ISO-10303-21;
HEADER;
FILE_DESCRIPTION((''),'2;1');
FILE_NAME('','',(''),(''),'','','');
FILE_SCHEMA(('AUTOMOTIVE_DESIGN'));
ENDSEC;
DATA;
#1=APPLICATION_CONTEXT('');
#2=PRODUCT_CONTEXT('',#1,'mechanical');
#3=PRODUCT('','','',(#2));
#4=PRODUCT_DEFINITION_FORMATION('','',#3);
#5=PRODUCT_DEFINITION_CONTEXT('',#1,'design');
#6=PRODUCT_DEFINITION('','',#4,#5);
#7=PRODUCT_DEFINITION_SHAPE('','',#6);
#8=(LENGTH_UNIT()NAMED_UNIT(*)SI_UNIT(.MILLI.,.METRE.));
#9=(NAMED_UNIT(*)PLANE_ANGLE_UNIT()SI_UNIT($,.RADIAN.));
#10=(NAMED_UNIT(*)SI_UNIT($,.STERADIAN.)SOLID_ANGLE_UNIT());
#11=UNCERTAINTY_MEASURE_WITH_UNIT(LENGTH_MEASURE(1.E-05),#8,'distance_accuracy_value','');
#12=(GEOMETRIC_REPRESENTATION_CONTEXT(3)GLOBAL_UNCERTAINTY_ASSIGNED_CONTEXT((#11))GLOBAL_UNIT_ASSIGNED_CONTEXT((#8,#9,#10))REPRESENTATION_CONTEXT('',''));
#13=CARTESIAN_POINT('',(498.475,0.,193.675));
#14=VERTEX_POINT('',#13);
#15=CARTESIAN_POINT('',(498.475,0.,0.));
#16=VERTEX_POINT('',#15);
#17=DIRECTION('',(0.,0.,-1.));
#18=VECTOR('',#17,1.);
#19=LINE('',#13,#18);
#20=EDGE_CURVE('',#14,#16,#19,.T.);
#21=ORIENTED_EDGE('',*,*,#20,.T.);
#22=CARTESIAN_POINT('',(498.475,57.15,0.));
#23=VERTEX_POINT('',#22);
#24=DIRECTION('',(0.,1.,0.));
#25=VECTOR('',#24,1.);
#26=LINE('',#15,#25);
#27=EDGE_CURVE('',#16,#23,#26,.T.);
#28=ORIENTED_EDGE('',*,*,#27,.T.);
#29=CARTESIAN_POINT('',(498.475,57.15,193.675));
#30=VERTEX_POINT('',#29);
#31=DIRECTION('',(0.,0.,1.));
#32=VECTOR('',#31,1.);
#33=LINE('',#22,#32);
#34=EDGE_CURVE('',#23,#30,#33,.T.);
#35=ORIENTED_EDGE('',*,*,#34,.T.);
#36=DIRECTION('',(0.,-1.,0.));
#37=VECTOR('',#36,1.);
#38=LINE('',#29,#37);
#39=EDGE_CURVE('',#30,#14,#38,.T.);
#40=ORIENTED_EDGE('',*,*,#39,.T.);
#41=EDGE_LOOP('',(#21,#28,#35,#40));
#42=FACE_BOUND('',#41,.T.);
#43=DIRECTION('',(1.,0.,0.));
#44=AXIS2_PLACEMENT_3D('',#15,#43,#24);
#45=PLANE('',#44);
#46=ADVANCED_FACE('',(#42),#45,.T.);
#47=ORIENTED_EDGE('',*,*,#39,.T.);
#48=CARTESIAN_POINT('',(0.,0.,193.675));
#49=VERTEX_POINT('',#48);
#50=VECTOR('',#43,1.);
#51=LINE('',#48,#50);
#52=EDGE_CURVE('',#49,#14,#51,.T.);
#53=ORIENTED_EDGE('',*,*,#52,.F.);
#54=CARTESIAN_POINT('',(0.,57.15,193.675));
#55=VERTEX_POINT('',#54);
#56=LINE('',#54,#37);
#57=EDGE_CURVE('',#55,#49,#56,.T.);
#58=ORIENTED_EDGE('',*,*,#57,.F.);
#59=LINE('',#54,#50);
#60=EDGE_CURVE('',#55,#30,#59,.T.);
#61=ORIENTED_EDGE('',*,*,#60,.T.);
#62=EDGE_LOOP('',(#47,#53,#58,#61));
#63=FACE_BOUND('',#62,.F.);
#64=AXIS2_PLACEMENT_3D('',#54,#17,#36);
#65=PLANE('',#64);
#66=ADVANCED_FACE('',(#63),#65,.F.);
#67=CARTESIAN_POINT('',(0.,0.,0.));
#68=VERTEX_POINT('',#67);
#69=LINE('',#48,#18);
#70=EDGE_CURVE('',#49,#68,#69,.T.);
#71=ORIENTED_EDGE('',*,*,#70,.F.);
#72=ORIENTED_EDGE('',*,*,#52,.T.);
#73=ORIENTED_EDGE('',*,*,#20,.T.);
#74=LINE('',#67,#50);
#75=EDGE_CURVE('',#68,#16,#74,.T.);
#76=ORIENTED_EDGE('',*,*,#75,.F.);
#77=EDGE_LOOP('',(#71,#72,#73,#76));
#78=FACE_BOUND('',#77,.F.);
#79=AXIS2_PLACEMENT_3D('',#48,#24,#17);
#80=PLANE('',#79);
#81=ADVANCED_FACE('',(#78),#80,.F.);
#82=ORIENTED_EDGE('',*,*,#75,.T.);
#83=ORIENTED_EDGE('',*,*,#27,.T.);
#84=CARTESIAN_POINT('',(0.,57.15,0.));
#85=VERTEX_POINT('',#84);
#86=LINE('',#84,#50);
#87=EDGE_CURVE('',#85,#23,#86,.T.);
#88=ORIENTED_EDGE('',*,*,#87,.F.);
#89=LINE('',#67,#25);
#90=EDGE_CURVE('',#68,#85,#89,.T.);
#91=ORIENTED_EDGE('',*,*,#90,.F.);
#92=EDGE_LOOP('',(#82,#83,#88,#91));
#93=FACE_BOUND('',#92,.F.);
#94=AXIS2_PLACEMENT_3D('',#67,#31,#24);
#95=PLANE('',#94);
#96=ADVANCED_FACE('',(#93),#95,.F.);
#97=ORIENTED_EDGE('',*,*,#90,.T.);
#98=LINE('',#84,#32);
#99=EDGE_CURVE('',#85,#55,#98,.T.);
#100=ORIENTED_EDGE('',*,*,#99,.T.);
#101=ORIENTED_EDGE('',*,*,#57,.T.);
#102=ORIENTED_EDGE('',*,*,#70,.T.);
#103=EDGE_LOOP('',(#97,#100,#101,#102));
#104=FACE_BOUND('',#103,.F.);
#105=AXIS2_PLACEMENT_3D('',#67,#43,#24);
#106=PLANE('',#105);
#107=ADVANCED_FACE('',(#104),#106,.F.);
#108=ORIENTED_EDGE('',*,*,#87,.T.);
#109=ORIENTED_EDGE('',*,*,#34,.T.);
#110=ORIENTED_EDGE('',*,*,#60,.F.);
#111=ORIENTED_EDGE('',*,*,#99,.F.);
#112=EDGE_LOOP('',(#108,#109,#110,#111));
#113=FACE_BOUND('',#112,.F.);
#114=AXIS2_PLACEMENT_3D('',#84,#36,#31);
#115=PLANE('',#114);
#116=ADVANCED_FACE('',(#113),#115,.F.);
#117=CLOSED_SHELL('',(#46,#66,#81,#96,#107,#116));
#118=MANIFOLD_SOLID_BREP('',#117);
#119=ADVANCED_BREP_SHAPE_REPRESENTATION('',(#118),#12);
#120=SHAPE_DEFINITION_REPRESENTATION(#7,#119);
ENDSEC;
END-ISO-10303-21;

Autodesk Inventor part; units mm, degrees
ref_plane "YZ Plane" through (0, 0, 0) normal (1, 0, 0) x (0, 1, 0)
ref_plane "XZ Plane" through (0, 0, 0) normal (0, 1, 0) x (-1, 0, 0)
ref_plane "XY Plane" through (0, 0, 0) normal (0, 0, 1) x (1, 0, 0)
sketch "Sketch1" plane through (0, 0, 0) normal (1, 0, 0) x (0, 1, 0)
  line L0 (0, 0) -> (57.15, 0)
  line L1 (57.15, 0) -> (57.15, 193.675)
  line L2 (57.15, 193.675) -> (0, 193.675)
  line L3 (0, 193.675) -> (0, 0)
  dimension "d0" = 57.15
  dimension "d1" = 193.675
extrude "Extrusion1" add sketch "Sketch1" along normal blind 498.475
properties part number "2-80" material "Granite, Cut, Polished"
